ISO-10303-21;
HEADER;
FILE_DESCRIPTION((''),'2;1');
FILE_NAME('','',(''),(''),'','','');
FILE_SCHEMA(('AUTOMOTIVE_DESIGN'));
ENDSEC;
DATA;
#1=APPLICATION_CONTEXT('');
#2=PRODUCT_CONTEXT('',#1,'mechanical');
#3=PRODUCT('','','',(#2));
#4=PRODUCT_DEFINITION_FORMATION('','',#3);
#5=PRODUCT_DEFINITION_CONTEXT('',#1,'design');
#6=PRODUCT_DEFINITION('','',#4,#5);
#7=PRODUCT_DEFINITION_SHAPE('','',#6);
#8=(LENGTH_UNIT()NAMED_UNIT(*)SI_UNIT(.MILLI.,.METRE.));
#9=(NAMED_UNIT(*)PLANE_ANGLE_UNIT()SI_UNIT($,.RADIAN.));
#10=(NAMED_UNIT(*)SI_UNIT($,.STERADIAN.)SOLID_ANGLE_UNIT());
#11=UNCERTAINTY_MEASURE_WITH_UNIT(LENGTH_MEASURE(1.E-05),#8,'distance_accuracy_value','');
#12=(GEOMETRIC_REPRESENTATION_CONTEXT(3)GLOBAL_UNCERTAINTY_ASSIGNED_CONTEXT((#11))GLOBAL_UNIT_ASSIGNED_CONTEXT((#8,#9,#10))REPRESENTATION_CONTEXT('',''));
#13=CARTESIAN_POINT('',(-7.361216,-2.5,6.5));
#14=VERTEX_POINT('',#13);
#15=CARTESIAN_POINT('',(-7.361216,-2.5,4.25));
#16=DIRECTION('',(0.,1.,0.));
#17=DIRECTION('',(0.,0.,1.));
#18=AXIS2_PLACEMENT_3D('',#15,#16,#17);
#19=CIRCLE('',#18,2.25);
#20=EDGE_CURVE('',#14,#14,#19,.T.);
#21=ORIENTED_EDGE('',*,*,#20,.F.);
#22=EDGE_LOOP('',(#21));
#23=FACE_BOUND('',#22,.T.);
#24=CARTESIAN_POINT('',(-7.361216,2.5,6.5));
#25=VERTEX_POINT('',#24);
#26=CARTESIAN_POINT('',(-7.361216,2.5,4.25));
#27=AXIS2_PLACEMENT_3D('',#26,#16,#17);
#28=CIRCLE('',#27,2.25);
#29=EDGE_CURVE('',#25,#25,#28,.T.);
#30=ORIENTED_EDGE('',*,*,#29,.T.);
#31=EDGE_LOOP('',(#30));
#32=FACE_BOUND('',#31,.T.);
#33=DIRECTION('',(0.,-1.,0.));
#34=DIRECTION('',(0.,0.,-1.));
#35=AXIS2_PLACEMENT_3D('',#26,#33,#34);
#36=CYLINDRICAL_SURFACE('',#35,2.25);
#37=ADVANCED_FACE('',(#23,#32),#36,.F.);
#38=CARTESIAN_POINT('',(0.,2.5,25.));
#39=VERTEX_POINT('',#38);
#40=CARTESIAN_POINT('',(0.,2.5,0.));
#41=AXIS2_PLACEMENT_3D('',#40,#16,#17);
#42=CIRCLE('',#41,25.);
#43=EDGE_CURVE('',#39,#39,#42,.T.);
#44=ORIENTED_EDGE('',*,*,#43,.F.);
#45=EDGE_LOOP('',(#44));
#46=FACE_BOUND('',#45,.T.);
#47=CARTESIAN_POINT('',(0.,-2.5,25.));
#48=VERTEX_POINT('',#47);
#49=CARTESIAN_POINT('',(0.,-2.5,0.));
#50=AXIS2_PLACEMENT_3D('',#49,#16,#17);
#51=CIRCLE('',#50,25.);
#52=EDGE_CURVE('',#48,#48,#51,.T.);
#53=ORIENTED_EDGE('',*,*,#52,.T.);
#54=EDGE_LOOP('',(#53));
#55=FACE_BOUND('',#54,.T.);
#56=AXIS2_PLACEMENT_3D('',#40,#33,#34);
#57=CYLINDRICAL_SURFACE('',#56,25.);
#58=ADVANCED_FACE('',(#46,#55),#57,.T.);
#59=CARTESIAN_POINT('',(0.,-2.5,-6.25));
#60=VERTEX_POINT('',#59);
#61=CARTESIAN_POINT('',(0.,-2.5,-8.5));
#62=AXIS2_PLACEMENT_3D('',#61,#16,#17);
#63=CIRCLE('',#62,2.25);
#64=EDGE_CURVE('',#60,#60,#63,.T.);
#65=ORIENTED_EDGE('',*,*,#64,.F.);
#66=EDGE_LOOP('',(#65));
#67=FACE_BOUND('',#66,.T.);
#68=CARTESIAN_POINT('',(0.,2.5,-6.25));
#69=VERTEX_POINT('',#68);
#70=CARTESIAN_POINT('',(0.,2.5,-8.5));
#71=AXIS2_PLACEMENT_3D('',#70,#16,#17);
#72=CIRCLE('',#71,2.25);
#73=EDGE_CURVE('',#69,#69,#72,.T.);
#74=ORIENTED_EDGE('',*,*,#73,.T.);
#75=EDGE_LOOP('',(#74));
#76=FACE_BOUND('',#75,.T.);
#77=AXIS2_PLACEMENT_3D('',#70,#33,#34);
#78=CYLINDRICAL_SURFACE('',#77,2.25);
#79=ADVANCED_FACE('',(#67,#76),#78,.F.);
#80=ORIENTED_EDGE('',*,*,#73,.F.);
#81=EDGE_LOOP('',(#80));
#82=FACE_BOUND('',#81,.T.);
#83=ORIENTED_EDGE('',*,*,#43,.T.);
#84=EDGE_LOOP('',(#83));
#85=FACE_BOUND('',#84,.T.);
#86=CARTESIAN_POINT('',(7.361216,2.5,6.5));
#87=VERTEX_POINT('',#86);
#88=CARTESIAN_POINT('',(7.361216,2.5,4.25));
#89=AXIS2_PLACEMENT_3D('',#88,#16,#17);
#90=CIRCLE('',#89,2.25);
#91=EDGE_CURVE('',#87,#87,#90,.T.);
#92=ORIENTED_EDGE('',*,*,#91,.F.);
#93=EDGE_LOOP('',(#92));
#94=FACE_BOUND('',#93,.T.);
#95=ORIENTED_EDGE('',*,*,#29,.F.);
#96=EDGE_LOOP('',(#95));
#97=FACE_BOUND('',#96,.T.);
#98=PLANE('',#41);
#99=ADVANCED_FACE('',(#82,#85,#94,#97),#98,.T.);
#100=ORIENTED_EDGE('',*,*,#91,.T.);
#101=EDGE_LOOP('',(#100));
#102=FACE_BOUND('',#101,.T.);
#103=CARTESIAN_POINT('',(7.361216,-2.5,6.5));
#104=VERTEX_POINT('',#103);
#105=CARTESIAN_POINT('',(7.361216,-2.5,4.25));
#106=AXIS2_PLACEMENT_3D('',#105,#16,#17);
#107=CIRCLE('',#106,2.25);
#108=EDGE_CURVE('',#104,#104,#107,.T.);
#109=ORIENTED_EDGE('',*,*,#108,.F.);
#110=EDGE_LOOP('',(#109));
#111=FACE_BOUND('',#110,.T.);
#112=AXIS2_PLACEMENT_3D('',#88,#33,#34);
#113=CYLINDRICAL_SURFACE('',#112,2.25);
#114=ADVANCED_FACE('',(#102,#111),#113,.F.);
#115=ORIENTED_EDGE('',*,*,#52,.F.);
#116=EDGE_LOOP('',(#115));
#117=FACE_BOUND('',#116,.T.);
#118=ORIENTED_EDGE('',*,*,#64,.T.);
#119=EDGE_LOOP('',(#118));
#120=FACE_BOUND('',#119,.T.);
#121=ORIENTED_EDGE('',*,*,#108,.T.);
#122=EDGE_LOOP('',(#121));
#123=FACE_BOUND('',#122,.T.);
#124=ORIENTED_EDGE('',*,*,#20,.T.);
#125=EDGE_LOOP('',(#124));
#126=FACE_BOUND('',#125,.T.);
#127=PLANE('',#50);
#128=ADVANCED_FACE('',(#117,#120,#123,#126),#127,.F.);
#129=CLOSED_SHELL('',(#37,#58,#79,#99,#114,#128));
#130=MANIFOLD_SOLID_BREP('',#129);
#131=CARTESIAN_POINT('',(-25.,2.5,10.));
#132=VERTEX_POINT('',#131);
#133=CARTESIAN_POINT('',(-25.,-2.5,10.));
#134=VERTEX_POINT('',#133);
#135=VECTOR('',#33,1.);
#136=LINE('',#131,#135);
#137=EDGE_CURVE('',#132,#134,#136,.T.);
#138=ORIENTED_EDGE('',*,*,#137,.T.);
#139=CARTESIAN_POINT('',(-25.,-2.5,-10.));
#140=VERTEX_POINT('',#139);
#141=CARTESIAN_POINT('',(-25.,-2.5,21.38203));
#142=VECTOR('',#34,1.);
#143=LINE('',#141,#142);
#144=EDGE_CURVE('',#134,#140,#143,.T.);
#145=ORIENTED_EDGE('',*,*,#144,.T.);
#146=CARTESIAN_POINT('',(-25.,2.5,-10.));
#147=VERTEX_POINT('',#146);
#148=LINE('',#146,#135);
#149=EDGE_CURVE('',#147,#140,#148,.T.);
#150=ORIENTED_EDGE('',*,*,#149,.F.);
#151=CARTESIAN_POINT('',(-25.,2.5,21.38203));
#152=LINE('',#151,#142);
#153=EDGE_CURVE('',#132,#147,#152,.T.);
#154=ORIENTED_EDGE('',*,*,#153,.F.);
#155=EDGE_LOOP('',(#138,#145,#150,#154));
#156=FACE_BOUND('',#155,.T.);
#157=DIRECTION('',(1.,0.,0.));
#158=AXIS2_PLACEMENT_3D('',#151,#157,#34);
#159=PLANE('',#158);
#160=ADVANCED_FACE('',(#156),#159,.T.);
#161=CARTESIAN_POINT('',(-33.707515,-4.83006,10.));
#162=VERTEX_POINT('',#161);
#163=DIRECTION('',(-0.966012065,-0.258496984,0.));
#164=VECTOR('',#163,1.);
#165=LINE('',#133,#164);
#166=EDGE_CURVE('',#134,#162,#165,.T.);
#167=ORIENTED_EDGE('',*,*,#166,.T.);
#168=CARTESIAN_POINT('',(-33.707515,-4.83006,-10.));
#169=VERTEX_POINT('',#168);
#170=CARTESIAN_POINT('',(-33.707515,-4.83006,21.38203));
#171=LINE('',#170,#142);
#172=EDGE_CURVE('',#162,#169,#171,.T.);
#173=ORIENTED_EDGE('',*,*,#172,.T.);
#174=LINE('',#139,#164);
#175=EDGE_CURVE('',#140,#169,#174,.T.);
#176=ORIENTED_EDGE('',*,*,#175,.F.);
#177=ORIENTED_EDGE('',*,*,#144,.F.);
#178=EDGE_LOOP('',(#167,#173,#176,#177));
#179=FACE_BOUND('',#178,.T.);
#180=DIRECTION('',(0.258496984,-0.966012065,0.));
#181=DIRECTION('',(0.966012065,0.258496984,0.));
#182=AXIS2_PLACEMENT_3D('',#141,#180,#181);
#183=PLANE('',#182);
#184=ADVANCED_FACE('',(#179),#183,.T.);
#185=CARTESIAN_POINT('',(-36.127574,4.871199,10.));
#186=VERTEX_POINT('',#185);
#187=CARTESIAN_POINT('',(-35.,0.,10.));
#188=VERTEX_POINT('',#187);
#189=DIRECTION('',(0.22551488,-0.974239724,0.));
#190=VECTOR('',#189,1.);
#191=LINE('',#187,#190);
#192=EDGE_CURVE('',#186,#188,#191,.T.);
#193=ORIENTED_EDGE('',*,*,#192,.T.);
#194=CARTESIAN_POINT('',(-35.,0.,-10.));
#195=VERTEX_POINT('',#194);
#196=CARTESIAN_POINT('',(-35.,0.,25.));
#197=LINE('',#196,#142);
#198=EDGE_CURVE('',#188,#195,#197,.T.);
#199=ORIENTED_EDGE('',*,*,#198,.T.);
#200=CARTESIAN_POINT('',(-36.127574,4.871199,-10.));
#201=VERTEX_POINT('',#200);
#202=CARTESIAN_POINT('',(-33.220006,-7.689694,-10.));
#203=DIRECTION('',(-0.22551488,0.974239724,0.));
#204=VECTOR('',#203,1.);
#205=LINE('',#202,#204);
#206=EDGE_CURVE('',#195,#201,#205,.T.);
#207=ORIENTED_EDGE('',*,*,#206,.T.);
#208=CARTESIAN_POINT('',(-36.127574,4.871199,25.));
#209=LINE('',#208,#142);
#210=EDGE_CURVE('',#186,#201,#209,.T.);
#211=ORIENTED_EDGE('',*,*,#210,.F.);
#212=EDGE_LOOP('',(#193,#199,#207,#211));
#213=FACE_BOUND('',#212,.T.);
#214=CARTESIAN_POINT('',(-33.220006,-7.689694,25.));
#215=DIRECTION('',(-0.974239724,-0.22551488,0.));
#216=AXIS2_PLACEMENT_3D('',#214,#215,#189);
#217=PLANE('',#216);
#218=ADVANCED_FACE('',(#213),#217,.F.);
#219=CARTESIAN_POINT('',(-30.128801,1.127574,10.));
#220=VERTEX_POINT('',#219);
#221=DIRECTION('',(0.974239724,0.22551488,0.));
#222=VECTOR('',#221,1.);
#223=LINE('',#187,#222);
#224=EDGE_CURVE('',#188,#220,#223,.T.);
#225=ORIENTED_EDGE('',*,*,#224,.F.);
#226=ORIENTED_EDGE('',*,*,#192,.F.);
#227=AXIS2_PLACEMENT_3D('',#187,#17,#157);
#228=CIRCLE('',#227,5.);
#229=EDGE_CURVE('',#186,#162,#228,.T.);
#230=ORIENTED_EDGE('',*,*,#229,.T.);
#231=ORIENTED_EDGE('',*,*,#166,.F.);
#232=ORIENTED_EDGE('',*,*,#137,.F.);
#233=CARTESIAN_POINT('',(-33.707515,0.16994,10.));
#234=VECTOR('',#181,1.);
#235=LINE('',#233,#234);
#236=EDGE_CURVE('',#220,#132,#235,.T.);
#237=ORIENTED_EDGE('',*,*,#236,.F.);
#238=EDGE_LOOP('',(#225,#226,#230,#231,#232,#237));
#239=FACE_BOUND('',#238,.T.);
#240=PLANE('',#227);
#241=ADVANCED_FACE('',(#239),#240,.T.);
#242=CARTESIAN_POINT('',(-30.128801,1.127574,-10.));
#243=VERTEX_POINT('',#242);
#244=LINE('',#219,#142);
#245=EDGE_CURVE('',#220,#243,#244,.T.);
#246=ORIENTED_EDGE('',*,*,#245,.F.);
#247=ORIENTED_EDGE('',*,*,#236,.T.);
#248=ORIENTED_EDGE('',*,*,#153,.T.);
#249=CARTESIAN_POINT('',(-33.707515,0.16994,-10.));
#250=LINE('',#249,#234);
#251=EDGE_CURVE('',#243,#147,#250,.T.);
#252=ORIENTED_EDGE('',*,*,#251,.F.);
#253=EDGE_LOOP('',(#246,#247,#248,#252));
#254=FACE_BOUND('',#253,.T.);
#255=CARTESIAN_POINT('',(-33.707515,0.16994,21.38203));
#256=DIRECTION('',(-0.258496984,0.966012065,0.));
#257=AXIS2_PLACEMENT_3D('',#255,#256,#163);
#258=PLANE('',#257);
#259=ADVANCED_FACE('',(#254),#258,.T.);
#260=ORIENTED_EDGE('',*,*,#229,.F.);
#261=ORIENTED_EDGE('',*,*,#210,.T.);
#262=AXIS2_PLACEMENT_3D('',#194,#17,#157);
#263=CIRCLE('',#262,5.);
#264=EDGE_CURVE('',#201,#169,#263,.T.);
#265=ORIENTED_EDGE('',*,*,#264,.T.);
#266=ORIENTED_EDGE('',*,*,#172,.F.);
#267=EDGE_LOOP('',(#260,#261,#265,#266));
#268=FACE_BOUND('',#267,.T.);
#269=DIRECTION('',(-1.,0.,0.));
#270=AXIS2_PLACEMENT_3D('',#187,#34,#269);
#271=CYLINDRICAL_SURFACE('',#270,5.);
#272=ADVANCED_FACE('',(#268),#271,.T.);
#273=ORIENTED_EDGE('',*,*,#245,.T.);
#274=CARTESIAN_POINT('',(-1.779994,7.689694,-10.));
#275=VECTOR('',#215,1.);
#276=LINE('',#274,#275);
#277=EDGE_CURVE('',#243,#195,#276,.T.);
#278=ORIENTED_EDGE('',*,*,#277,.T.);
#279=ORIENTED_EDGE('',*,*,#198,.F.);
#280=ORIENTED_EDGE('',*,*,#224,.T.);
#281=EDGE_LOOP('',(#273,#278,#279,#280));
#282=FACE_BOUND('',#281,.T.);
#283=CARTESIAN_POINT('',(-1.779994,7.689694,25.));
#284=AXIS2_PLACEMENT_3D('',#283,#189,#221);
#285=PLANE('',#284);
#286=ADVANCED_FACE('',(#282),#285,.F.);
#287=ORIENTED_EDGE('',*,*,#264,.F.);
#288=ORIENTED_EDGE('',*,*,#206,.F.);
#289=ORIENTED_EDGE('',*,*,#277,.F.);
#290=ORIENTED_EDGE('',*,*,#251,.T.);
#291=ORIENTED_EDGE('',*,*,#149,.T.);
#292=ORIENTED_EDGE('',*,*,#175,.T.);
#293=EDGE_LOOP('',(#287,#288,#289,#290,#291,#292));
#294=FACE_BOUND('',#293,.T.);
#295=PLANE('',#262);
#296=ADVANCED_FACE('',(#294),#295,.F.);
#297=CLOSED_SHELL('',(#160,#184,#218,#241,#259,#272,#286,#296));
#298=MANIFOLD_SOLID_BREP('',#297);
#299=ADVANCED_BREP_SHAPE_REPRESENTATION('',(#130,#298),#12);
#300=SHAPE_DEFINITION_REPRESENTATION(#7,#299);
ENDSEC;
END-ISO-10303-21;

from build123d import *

# Parameters (mm, degrees)
SKETCH_1_R          = 25
SKETCH_1_R_2        = 2.25
EXTRUDE_1_DEPTH     = 2.5
SKETCH_4_R          = 5
EXTRUDE_2_DEPTH     = 10
EXTRUDE_3_DEPTH     = 20
CUT_EXTRUDE_1_DEPTH = 54.38539126


with BuildPart() as part:
    # Эскиз1 → Бобышка-Вытянуть1 (new, symmetric)
    with BuildSketch(Plane(origin=(0, 0, 0), x_dir=(1, 0, 0), z_dir=(0, 1, 0))):
        with Locations(Location((0, 0, 0), (0, 0, 270))):
            Circle(SKETCH_1_R)
        with Locations(Location((0, 8.5, 0), (0, 0, 270))):
            Circle(SKETCH_1_R_2, mode=Mode.SUBTRACT)
        with Locations(Location((7.361215932, -4.25, 0), (0, 0, 270))):
            Circle(SKETCH_1_R_2, mode=Mode.SUBTRACT)
        with Locations(Location((-7.361215932, -4.25, 0), (0, 0, 270))):
            Circle(SKETCH_1_R_2, mode=Mode.SUBTRACT)
    extrude(amount=EXTRUDE_1_DEPTH, both=True)


with BuildPart() as body_2:
    # Эскиз4 → Бобышка-Вытянуть2 (new, symmetric)
    with BuildSketch(Plane.XY):
        with Locations((-35, 0)):
            Circle(SKETCH_4_R)
    extrude(amount=EXTRUDE_2_DEPTH, both=True)

    # Эскиз5 → Бобышка-Вытянуть3 (add)
    with BuildSketch(Plane(origin=(0, 0, -10), x_dir=(-1, 0, 0), z_dir=(0, 0, -1))):
        Polygon((25, 2.5), (25, -2.5), (33.707515081, -4.830060324), (33.707515081, 0.169939676), align=None)
    extrude(amount=-EXTRUDE_3_DEPTH)

    # Эскиз6 → Вырез-Вытянуть1 (cut, through all)
    with BuildSketch(Plane(origin=(0, 0, -10), x_dir=(-1, 0, 0), z_dir=(0, 0, -1))):
        with BuildLine():
            ThreePointArc((36.1275744, 4.871198618), (32.352857929, 4.241773079), (30.128801382, 1.1275744))
            Line((30.128801382, 1.1275744), (35, 0))
            Line((35, 0), (36.1275744, 4.871198618))
        make_face()
    extrude(amount=-CUT_EXTRUDE_1_DEPTH, mode=Mode.SUBTRACT)


solid = Compound([part.part, body_2.part])
